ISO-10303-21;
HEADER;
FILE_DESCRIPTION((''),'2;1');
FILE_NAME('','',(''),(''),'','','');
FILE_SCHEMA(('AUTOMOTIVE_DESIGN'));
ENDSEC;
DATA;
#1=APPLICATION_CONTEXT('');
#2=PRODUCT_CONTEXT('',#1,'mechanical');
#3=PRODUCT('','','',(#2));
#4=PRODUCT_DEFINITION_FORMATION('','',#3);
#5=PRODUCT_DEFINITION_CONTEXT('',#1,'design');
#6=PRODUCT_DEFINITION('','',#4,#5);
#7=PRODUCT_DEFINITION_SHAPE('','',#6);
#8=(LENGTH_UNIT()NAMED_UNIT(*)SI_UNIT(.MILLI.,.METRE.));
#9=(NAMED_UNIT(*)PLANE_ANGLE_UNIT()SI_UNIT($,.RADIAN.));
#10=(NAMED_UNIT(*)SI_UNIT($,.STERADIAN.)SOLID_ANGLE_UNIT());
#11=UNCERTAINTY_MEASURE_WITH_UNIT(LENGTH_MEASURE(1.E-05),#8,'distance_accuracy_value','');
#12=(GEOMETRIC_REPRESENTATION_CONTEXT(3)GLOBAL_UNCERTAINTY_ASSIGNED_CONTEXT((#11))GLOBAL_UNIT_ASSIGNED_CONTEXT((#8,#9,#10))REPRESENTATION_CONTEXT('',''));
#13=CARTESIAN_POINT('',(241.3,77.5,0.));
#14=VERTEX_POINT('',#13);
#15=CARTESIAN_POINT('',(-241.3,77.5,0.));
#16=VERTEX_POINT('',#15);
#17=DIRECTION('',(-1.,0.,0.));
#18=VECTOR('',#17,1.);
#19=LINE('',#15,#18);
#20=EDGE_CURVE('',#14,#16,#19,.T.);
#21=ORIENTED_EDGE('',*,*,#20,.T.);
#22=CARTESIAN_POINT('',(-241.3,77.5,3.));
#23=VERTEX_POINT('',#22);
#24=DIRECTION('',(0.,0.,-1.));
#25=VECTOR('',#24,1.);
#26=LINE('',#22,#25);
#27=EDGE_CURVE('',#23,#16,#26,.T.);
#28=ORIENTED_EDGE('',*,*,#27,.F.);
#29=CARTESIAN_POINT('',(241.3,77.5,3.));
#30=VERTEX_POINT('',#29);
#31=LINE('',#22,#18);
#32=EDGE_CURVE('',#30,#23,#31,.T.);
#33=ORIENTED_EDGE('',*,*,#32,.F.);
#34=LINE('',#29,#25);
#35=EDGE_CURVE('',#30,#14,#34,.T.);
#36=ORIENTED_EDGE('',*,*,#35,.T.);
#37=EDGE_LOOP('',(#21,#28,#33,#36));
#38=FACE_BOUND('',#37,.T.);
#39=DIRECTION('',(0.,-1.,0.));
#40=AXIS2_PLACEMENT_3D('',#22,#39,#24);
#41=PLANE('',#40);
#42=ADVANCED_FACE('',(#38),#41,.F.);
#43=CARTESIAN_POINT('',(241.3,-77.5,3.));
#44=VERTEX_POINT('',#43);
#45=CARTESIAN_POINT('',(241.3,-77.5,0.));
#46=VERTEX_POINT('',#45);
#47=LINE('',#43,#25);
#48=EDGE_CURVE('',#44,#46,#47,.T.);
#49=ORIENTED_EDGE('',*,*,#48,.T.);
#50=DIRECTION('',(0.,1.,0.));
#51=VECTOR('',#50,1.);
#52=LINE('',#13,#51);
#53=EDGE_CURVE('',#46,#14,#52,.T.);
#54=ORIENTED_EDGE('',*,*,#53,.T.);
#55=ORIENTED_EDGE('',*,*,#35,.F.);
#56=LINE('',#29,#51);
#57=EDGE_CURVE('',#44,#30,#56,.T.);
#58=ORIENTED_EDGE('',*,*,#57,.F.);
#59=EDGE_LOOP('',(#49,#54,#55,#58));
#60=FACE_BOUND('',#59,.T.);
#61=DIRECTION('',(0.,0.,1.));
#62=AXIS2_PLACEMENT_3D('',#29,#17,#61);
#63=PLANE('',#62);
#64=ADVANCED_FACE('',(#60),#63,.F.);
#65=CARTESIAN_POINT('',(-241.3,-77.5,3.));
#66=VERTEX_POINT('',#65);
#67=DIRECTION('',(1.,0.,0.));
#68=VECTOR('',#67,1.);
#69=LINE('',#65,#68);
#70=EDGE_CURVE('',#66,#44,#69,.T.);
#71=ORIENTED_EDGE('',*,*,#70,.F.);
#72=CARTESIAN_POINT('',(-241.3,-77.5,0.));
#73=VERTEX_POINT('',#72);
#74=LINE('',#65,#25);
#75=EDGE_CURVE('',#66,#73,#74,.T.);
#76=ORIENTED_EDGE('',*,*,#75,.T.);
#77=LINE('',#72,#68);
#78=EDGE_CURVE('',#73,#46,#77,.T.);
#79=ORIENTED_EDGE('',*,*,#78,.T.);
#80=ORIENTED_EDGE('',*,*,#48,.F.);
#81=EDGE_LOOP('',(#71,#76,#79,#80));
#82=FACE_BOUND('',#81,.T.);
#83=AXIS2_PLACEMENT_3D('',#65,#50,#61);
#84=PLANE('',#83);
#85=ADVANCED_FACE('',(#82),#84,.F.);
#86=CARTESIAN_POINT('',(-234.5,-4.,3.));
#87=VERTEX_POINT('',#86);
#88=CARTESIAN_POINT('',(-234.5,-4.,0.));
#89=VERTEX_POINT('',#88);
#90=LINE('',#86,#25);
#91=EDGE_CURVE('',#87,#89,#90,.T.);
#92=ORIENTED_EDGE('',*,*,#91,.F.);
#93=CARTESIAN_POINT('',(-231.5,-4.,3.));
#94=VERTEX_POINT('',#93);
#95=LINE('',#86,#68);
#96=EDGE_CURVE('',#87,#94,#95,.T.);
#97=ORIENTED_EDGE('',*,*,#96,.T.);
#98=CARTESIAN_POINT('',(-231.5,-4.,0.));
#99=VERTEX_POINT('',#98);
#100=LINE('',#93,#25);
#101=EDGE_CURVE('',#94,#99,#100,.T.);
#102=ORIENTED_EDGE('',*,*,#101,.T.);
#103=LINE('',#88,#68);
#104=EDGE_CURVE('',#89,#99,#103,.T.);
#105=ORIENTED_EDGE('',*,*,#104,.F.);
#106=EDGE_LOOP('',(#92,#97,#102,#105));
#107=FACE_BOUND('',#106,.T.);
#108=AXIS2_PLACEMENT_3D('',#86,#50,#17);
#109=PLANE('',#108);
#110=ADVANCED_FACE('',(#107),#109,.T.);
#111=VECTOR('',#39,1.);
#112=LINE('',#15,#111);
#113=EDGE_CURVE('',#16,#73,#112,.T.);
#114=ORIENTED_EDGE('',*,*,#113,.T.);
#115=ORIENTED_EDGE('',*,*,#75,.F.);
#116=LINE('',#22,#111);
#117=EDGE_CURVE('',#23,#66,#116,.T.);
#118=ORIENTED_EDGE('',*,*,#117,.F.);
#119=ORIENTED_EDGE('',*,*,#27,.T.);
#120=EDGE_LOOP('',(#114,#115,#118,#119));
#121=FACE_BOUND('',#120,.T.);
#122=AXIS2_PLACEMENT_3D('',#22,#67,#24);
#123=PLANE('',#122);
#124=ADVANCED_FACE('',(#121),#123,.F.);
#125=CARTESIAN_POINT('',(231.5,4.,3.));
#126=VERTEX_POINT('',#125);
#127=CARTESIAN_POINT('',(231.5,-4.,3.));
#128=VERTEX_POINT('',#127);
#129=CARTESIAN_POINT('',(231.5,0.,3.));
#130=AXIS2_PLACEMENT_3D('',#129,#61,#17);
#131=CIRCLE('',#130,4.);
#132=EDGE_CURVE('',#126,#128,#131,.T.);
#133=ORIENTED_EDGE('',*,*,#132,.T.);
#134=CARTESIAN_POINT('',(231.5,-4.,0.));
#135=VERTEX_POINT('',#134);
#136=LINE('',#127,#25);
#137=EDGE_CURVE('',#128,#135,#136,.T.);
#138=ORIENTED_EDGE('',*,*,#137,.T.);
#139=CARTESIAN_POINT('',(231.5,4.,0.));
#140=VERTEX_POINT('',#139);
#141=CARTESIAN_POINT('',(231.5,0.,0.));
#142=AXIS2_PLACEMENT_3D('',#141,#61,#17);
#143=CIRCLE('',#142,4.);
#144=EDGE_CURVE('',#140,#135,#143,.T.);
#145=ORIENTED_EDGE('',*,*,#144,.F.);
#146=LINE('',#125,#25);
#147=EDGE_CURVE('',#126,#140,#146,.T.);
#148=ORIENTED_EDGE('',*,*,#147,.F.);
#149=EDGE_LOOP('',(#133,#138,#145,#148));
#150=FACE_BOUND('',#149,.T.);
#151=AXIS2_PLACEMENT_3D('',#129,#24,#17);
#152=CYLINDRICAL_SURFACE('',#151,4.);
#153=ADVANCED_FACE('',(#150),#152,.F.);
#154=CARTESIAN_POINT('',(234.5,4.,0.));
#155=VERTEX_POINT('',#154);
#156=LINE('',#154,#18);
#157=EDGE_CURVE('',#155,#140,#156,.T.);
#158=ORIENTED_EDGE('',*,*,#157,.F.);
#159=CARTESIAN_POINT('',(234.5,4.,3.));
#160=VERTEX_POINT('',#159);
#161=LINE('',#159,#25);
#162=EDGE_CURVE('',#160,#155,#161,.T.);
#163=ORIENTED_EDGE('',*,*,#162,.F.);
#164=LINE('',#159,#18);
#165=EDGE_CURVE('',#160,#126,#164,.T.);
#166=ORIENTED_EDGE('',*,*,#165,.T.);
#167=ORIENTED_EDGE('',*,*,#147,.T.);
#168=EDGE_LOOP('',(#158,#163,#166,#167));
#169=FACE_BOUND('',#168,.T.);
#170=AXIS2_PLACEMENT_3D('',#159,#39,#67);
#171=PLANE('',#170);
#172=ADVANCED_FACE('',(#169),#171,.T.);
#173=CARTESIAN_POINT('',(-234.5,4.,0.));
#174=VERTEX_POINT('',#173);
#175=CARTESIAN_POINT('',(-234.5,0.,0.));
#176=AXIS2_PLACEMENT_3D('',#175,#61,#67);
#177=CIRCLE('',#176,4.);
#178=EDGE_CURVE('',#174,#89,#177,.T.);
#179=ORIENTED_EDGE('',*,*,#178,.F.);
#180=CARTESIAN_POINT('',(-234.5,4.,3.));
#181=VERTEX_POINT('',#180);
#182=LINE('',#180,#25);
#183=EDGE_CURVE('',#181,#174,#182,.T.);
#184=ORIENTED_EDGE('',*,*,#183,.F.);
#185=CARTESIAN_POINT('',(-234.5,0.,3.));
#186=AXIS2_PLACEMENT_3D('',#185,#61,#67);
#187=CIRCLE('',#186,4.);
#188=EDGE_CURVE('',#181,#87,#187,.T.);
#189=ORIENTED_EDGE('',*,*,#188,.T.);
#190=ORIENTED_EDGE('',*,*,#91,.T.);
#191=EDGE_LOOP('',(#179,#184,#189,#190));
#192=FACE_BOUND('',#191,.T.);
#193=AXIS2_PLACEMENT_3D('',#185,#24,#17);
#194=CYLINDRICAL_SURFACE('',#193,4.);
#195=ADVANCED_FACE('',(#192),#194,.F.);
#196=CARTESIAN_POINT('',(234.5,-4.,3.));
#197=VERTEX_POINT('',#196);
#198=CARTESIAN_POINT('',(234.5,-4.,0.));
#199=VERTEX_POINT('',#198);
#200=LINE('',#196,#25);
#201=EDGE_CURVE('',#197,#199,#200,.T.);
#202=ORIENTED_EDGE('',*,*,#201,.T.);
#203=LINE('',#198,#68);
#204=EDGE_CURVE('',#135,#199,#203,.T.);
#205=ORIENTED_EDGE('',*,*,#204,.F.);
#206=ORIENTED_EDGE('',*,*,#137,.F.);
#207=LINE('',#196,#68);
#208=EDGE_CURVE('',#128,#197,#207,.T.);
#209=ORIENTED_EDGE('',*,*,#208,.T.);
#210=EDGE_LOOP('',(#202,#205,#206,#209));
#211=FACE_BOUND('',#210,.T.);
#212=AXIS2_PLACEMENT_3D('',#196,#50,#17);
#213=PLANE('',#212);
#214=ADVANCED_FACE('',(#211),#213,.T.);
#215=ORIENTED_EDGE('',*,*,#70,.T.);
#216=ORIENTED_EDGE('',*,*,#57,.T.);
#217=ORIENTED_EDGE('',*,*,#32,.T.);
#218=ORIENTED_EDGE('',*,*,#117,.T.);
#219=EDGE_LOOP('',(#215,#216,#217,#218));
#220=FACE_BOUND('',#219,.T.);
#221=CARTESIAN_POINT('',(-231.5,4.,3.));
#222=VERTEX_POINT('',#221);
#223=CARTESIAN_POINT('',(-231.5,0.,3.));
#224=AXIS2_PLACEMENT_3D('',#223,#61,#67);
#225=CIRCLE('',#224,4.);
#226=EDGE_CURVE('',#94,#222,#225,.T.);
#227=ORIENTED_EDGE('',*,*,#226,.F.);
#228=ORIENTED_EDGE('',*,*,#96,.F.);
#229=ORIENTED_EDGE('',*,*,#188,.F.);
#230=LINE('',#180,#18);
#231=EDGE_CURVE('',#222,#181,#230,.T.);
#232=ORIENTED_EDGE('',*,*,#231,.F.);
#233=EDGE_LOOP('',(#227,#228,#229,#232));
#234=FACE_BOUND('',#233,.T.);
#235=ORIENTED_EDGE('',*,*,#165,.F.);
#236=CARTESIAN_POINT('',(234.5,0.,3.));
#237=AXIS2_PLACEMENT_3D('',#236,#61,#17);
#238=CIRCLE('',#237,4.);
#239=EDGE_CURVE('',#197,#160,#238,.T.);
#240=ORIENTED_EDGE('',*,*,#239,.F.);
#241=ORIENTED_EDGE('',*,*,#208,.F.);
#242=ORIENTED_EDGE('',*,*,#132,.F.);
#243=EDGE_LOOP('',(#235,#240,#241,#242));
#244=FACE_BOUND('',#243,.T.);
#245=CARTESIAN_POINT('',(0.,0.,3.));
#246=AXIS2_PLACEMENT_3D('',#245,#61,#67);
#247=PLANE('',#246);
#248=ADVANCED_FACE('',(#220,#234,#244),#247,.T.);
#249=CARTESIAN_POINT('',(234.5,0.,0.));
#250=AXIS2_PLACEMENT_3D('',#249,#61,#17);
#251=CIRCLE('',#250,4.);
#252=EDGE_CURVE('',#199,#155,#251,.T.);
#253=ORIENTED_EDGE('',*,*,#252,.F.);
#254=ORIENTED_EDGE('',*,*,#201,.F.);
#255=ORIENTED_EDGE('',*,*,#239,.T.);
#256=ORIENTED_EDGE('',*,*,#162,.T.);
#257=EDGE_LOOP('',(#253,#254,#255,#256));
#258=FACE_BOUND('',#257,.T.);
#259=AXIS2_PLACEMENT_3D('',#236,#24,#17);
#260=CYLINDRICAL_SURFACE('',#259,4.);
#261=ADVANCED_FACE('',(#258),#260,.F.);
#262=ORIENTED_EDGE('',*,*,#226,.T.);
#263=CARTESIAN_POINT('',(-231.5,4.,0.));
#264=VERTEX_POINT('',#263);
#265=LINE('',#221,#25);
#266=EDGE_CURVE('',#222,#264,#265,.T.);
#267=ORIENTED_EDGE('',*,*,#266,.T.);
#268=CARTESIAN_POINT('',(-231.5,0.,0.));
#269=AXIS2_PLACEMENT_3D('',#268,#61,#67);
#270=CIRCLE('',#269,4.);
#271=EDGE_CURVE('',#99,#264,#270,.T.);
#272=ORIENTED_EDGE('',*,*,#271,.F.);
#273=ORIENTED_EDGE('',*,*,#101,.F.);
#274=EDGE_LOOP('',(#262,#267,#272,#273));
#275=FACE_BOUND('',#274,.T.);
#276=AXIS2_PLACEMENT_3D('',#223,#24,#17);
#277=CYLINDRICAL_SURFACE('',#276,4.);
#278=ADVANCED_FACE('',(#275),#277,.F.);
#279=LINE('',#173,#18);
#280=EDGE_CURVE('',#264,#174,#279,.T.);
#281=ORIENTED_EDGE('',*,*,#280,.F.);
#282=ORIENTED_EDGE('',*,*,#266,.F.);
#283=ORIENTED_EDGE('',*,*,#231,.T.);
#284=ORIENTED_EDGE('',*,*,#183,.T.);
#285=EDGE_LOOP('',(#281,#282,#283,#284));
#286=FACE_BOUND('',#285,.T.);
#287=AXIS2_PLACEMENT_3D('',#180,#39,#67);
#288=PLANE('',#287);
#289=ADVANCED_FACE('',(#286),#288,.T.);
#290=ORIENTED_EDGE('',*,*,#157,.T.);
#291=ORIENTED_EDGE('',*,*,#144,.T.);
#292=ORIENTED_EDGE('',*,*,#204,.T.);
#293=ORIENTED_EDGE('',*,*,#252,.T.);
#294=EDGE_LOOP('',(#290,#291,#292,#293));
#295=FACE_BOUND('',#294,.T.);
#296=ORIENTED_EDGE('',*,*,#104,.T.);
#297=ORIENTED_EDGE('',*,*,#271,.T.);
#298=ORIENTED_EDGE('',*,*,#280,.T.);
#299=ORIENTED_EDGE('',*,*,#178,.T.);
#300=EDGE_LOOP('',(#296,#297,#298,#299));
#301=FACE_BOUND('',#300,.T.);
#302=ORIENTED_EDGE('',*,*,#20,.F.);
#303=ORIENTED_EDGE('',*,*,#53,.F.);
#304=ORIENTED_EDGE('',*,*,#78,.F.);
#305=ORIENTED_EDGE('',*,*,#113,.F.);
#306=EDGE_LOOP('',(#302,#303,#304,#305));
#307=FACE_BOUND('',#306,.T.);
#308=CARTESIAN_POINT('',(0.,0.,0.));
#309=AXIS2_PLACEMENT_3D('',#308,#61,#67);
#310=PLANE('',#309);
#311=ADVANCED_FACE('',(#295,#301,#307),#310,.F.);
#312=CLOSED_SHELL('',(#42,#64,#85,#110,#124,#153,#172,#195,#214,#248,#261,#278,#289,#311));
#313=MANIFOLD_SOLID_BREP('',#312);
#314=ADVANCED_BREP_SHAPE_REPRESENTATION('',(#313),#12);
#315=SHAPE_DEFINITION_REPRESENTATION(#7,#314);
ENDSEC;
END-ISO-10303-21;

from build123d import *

# Parameters (mm, degrees)
CROQUIS1_W              = 482.6
CROQUIS1_H              = 155
SALIENTE_EXTRUIR1_DEPTH = 3


with BuildPart() as part:
    # Croquis1 → Saliente-Extruir1 (new body)
    with BuildSketch(Plane.XY):
        Rectangle(CROQUIS1_W, CROQUIS1_H)
        with BuildLine():
            Line((-234.5, 4), (-231.5, 4))
            ThreePointArc((-231.5, 4), (-227.5, 0), (-231.5, -4))
            Line((-231.5, -4), (-234.5, -4))
            ThreePointArc((-234.5, -4), (-238.5, 0), (-234.5, 4))
        make_face(mode=Mode.SUBTRACT)
        with BuildLine():
            Line((234.5, 4), (231.5, 4))
            ThreePointArc((231.5, 4), (227.5, 0), (231.5, -4))
            Line((231.5, -4), (234.5, -4))
            ThreePointArc((234.5, -4), (238.5, 0), (234.5, 4))
        make_face(mode=Mode.SUBTRACT)
    extrude(amount=SALIENTE_EXTRUIR1_DEPTH)


solid = part.part
